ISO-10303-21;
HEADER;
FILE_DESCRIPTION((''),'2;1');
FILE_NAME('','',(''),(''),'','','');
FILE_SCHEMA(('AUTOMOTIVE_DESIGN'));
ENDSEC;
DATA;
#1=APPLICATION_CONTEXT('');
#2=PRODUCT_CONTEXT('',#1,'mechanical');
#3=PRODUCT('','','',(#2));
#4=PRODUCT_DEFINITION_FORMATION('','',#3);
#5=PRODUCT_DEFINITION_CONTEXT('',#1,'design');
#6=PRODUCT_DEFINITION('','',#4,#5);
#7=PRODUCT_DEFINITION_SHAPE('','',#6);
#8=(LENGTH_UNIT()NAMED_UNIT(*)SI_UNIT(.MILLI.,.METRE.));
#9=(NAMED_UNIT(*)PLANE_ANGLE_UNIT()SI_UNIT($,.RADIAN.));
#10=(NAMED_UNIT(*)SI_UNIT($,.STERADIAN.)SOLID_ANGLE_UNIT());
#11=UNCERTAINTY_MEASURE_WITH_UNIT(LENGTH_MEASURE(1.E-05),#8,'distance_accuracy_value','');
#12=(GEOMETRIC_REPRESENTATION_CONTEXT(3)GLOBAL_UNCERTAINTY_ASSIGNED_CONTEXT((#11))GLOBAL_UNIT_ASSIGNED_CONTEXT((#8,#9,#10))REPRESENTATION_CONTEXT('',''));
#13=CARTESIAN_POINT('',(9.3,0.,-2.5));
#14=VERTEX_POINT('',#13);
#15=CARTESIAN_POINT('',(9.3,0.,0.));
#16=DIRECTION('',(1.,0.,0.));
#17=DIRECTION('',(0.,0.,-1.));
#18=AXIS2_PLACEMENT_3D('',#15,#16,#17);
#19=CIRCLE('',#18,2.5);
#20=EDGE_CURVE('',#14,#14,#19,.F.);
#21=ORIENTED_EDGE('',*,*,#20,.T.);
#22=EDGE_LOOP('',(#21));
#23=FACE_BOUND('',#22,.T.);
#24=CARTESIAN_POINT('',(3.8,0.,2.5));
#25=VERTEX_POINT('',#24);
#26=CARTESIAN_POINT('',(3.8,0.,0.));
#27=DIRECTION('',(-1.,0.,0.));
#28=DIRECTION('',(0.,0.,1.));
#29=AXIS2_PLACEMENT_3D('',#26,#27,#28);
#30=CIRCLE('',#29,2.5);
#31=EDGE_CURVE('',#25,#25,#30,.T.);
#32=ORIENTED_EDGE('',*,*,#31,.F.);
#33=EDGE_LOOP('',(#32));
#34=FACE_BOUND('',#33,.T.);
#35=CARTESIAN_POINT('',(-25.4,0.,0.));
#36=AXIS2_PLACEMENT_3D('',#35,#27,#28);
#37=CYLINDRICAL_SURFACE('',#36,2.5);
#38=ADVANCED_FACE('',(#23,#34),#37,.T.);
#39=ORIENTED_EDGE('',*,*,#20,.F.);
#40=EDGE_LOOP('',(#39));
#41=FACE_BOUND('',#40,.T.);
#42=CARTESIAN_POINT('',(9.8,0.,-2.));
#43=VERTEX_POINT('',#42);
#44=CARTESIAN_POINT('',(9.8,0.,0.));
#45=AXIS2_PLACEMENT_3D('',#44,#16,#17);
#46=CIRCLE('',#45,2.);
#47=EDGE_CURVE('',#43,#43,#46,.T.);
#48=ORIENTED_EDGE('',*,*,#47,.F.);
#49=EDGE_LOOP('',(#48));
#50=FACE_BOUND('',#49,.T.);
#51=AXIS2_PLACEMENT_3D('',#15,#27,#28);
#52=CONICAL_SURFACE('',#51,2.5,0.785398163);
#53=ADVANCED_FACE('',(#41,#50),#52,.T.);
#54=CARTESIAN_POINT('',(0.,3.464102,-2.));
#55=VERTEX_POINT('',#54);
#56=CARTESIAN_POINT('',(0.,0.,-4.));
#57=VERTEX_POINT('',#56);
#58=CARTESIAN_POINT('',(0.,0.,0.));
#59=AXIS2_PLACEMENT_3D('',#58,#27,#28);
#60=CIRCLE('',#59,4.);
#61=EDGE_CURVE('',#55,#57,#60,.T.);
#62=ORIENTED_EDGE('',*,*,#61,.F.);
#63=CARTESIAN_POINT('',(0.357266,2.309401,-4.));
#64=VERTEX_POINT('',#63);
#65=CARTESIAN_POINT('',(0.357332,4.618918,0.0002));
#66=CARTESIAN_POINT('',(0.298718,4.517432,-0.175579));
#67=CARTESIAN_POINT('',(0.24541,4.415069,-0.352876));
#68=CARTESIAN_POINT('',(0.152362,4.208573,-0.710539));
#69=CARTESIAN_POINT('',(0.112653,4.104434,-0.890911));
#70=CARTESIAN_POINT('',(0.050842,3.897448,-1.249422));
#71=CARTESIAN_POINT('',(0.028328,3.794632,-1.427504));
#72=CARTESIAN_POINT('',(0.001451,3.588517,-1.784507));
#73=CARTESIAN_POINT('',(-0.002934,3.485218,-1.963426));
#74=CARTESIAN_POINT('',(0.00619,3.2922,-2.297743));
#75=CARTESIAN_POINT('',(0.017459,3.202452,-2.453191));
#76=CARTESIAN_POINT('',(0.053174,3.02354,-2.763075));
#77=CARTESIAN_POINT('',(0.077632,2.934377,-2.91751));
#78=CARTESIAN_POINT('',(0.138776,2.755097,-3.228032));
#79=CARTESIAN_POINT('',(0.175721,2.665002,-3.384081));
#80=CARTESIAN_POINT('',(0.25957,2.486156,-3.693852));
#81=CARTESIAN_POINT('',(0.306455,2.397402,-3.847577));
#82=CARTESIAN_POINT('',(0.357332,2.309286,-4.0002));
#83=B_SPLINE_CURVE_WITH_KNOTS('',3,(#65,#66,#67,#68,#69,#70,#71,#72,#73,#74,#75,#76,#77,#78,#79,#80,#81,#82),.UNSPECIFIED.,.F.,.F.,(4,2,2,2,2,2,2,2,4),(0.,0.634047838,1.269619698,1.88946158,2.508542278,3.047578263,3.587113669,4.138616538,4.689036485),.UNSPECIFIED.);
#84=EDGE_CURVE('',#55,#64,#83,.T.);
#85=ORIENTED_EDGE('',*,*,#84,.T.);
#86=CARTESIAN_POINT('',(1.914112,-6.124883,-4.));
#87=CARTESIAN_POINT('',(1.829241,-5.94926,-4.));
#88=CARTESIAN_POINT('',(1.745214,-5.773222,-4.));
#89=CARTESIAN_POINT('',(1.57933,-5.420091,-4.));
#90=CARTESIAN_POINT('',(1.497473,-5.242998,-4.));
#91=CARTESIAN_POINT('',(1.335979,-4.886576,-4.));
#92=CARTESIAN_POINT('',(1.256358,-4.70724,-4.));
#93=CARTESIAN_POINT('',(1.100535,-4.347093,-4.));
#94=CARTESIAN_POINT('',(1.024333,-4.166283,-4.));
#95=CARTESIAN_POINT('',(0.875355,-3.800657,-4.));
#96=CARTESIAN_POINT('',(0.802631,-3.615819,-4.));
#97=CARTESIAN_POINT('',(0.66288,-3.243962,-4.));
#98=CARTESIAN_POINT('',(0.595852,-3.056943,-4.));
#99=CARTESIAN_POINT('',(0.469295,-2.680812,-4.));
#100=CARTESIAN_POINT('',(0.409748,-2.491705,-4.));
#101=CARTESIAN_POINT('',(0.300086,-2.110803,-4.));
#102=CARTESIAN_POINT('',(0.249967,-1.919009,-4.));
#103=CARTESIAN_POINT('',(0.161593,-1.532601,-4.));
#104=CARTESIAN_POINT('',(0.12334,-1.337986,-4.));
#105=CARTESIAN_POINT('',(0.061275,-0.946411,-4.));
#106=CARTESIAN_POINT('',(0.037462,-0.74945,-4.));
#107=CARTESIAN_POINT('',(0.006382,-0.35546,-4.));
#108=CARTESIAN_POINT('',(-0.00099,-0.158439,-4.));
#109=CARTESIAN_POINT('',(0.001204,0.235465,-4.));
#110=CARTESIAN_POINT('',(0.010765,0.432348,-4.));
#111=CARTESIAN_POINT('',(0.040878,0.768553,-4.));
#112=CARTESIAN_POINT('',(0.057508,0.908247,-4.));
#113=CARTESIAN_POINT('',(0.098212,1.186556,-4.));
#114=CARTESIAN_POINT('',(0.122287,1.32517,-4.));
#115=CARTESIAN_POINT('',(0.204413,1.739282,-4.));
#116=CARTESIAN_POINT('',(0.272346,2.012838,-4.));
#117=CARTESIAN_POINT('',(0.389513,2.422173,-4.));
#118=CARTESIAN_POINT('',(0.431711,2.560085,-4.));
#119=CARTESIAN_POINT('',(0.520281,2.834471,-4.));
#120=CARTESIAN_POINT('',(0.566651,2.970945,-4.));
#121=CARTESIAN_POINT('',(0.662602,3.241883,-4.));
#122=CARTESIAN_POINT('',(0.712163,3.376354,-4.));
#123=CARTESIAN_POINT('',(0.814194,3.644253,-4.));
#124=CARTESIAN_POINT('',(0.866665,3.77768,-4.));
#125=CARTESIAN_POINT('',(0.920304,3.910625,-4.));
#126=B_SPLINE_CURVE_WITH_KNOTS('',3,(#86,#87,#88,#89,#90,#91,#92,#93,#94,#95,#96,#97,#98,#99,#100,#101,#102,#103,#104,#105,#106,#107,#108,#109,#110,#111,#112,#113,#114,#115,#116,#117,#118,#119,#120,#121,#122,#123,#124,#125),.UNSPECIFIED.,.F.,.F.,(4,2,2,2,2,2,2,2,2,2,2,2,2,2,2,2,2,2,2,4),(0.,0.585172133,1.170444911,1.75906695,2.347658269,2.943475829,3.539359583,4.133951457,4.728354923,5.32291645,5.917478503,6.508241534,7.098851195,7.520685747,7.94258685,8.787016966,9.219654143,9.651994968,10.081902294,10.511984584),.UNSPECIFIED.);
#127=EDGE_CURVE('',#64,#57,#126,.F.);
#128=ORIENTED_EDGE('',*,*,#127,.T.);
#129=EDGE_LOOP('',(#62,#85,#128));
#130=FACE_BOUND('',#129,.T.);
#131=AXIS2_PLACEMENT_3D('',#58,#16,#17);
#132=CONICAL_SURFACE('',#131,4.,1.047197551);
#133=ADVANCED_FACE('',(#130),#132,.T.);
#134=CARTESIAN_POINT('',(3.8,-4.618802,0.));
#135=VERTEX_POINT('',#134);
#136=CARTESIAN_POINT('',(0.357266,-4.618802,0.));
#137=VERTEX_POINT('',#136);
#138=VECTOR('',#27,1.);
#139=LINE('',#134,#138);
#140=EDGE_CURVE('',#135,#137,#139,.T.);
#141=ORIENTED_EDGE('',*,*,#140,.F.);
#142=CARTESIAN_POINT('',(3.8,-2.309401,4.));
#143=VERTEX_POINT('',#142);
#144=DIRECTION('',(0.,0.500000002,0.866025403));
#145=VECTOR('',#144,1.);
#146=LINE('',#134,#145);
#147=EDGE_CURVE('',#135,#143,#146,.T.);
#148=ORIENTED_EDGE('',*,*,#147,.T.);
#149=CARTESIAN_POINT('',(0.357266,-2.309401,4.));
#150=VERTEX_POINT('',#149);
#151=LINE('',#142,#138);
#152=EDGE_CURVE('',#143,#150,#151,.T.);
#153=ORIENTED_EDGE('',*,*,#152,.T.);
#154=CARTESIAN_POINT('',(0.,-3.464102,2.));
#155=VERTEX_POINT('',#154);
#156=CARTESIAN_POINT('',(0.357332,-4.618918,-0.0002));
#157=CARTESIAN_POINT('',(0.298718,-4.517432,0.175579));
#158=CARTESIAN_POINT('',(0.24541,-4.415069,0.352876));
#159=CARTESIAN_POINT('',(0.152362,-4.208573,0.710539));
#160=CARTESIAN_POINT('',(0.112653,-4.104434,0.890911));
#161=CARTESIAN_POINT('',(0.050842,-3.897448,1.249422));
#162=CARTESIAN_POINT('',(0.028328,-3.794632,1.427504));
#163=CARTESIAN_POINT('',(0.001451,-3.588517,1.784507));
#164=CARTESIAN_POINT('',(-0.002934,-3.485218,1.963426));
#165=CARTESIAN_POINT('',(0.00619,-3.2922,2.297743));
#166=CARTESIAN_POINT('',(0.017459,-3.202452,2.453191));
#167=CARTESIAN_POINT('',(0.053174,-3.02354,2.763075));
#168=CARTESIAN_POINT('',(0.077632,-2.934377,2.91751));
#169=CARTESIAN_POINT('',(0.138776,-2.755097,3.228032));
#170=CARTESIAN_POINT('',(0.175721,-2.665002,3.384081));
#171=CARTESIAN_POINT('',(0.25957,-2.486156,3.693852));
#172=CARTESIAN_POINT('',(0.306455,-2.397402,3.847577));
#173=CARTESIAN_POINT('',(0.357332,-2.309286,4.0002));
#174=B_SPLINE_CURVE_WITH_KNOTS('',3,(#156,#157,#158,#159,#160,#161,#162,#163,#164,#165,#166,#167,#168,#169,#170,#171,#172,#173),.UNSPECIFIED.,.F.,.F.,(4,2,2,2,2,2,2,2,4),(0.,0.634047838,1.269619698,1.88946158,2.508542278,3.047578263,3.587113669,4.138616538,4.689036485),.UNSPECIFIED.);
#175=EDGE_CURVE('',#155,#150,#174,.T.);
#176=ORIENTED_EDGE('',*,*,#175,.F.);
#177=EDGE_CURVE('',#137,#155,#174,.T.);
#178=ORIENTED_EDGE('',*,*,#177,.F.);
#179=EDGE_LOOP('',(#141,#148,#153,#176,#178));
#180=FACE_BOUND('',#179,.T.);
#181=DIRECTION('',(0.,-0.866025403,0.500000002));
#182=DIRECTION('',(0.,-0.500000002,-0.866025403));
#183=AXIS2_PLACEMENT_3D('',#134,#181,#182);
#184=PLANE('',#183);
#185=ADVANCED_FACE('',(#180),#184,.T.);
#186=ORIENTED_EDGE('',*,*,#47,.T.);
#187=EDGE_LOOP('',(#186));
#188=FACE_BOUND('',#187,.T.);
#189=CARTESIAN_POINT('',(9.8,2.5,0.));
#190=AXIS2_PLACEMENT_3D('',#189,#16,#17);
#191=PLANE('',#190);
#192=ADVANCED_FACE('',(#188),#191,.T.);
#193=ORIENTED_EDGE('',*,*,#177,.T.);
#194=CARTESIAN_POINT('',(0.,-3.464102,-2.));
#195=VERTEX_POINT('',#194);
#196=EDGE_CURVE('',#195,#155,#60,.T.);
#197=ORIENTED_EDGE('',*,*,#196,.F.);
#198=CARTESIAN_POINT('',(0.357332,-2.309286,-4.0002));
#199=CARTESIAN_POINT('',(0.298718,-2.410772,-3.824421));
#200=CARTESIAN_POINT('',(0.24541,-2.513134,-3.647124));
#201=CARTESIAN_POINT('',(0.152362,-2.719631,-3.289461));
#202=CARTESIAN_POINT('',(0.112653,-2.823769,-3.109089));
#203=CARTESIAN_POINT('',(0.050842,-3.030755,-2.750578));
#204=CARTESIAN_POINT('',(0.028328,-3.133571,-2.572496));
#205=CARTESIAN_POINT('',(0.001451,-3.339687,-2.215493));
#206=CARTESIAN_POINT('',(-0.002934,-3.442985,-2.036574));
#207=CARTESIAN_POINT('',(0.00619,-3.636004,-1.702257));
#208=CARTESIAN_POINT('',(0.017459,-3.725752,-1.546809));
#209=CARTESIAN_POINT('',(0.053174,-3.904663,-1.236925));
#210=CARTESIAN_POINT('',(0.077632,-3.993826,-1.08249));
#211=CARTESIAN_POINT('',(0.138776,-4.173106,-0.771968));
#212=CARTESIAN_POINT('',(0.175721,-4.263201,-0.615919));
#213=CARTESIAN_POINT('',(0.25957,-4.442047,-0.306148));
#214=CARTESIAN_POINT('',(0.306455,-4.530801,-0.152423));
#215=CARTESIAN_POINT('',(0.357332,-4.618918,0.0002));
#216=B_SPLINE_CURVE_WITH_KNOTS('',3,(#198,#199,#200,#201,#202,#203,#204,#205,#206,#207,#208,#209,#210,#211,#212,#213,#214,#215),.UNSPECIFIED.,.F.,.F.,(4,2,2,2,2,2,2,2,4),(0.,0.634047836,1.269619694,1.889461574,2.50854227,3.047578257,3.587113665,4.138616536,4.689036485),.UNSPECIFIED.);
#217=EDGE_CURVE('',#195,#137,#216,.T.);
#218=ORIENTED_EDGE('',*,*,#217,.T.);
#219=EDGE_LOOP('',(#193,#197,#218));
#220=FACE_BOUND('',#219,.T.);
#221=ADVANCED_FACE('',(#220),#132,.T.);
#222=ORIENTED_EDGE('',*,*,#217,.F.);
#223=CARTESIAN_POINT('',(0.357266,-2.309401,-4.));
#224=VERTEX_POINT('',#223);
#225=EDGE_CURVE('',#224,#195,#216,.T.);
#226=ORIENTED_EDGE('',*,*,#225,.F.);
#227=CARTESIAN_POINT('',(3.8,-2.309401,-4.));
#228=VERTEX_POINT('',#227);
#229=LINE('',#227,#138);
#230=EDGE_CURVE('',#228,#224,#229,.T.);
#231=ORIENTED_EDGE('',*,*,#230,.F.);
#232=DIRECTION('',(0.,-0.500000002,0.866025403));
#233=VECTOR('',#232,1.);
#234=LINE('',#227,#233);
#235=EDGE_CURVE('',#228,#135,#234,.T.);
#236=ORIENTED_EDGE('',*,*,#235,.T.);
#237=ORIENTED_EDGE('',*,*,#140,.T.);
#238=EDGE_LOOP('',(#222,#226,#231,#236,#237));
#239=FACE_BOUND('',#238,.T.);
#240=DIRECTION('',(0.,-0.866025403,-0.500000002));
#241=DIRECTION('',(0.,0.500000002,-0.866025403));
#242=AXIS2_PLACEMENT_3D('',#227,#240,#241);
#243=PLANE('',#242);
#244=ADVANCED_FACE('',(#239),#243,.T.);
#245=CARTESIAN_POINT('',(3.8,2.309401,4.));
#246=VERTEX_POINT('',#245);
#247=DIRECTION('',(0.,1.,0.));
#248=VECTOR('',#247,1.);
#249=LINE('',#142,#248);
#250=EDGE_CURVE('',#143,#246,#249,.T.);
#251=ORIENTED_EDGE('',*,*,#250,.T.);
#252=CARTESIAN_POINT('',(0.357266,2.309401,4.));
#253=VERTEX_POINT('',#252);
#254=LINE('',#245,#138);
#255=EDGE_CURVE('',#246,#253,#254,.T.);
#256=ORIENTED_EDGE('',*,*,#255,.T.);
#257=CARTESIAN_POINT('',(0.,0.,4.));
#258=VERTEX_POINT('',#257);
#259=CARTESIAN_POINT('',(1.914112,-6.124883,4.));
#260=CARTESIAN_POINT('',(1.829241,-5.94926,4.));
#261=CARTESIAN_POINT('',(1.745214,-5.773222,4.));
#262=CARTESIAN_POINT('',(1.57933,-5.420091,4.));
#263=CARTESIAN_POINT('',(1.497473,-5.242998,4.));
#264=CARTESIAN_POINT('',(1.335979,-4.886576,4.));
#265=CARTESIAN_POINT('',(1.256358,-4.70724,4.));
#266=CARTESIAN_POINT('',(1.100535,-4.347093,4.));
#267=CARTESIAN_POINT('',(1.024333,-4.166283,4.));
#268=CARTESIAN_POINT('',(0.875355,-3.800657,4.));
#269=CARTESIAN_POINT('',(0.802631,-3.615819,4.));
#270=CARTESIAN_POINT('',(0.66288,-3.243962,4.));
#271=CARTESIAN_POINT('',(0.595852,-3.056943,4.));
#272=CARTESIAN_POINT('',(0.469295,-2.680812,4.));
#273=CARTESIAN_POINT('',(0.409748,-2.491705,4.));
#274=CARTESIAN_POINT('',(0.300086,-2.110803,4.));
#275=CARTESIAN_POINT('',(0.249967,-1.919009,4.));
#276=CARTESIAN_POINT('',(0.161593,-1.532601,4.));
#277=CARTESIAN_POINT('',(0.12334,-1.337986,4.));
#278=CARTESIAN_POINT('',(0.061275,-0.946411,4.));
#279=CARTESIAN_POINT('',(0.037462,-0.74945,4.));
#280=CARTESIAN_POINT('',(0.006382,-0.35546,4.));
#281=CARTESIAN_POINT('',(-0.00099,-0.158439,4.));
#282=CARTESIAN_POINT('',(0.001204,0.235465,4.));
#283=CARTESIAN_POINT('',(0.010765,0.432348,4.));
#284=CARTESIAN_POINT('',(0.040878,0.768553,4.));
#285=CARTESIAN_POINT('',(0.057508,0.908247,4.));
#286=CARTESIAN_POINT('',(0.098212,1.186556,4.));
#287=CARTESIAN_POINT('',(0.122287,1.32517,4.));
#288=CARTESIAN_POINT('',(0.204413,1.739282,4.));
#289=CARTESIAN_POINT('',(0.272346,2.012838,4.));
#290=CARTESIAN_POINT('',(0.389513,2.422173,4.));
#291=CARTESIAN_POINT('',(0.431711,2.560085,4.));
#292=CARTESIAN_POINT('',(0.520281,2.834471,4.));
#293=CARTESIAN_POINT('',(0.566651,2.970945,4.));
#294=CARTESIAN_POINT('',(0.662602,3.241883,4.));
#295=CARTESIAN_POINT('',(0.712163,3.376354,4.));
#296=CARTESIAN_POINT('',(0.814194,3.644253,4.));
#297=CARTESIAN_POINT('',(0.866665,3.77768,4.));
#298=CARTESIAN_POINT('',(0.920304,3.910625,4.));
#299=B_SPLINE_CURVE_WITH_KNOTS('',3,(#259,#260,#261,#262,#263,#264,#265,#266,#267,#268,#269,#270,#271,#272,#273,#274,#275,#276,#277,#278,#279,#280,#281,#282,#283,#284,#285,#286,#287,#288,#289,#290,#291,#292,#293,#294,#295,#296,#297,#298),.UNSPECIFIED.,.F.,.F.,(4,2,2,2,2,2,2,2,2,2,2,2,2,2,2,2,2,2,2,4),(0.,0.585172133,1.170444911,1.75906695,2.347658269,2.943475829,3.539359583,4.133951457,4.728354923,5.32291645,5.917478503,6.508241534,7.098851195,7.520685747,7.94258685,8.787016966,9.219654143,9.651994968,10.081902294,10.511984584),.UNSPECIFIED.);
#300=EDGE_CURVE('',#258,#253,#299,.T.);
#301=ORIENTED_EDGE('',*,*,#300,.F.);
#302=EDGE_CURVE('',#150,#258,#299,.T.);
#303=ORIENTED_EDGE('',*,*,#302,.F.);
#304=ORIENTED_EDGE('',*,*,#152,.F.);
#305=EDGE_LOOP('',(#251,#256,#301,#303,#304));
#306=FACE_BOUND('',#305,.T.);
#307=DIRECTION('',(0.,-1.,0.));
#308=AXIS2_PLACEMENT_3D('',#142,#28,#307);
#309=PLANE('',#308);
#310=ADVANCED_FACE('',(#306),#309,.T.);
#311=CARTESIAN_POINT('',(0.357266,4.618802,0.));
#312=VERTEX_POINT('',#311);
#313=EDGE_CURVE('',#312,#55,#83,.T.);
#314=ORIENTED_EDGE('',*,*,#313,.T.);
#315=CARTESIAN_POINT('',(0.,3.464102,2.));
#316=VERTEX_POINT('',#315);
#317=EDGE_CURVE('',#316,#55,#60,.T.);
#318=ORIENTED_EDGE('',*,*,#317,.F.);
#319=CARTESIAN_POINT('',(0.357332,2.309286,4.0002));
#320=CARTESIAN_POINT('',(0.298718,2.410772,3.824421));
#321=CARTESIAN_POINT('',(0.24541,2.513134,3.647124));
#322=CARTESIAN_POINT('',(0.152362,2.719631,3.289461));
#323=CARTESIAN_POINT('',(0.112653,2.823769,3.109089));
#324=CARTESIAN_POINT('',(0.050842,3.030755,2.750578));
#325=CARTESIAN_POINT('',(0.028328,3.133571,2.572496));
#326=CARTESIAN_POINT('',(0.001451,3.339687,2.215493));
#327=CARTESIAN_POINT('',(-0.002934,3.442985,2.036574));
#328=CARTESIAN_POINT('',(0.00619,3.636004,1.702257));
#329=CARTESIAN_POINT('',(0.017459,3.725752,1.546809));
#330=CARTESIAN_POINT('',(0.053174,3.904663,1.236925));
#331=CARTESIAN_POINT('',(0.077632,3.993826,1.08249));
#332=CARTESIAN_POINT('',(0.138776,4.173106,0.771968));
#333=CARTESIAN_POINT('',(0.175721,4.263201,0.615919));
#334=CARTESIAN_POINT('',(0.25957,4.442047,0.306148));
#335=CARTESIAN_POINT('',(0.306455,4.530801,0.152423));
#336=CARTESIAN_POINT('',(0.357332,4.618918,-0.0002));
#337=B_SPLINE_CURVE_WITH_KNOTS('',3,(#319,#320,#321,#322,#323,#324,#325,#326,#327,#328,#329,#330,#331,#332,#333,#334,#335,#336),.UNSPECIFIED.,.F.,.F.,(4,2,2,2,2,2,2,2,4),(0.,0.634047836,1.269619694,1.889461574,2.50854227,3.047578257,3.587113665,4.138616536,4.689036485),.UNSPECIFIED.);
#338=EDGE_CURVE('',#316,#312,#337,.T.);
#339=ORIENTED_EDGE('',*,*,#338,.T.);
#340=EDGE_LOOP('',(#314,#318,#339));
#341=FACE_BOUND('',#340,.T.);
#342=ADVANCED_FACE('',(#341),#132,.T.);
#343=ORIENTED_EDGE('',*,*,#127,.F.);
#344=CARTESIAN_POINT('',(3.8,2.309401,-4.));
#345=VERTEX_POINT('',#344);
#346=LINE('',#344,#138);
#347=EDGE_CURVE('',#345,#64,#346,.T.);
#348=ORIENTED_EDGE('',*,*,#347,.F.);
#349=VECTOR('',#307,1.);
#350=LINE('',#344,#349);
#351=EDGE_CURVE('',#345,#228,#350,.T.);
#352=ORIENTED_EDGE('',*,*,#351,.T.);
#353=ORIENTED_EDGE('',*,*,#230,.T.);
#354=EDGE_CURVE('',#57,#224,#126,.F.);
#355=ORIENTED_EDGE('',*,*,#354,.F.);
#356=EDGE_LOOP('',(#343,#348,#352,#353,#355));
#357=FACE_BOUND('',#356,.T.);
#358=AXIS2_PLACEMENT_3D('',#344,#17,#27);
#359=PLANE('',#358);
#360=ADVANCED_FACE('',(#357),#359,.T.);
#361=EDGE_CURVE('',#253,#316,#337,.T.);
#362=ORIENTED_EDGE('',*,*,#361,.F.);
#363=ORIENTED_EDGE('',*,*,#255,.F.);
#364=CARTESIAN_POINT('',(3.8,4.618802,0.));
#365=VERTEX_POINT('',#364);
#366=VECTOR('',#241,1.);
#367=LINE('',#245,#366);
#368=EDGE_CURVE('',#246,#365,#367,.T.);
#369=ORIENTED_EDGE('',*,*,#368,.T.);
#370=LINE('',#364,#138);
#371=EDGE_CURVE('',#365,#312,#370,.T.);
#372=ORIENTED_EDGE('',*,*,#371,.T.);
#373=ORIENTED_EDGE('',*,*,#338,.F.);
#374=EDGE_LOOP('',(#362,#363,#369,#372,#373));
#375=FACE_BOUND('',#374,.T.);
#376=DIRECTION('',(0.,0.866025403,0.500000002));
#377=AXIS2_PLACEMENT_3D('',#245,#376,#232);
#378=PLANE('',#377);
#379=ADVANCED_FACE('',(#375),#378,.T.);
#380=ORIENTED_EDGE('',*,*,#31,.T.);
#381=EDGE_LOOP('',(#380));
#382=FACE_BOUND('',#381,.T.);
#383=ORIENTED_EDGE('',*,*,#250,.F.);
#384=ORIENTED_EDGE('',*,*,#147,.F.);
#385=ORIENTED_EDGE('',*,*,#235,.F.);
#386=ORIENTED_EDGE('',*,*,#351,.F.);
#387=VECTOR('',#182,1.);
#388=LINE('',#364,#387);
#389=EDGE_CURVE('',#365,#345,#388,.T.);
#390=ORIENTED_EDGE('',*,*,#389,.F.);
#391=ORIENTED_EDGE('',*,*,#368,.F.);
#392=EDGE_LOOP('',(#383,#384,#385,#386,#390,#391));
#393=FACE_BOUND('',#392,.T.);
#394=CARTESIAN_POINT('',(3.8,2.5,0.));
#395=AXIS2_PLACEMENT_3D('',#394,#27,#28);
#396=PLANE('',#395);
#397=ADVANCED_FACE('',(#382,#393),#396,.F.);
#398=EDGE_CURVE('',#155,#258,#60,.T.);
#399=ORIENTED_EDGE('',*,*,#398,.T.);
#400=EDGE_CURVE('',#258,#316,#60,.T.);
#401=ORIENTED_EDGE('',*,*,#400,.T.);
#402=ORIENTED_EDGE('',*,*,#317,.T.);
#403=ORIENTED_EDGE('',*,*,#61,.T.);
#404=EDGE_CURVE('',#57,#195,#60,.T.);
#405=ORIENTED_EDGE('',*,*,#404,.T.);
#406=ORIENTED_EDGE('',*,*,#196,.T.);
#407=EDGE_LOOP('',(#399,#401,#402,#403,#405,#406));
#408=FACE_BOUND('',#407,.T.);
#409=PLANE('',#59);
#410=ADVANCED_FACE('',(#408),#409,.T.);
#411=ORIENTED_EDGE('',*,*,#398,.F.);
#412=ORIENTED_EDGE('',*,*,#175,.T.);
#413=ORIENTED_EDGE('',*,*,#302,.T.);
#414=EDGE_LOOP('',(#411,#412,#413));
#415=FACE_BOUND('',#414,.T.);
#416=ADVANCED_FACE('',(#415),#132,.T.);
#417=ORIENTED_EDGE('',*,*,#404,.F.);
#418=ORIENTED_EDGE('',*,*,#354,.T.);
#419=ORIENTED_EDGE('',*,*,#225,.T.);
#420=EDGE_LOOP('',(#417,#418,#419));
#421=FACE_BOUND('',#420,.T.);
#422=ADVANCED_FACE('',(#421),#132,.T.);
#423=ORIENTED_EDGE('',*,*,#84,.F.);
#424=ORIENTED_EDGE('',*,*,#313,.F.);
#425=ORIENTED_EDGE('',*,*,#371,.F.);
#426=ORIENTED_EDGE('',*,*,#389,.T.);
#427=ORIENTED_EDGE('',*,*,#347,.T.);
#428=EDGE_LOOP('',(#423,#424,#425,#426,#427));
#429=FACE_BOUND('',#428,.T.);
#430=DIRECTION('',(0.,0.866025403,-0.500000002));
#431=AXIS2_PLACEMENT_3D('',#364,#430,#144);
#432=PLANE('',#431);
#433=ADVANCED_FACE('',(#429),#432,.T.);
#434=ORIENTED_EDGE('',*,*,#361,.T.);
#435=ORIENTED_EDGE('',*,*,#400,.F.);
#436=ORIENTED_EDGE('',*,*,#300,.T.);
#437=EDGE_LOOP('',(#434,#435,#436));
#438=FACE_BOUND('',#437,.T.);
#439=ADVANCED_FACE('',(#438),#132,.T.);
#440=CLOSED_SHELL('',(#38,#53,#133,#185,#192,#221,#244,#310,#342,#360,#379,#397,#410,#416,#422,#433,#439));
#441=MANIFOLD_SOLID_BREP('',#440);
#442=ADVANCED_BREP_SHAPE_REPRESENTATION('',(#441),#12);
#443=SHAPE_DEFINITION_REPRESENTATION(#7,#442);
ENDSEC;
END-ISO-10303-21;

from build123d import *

# Parameters (mm, degrees)
SKETCH2_R       = 4.665127021
HEX_DIE_DEPTH   = 3.8
CHANFREIN1_SIZE = 0.5


with BuildPart() as part:
    # BodySke → Base-Revolve (revolve)
    with BuildSketch(Plane.XY, mode=Mode.PRIVATE) as base_revolve_sk:
        Polygon((3.8, 2.5), (3.8, 4.618937644), (0.357343816, 4.618937644), (0, 4), (0, 0), (9.8, 0), (9.8, 2.5), align=None)
    revolve(base_revolve_sk.sketch.rotate(Axis((-25.4, 0, 0), (1, 0, 0)), 90), axis=Axis((-25.4, 0, 0), (1, 0, 0)))

    # Sketch2 → Hex-Die (cut)
    with BuildSketch(Plane(origin=(0, 0, 0), x_dir=(0, 0, -1), z_dir=(1, 0, 0))):
        Circle(SKETCH2_R)
        Polygon((-4, 2.309401087), (0, 4.618802174), (4, 2.309401087), (4, -2.309401087), (0, -4.618802174), (-4, -2.309401087), align=None, mode=Mode.SUBTRACT)
    extrude(amount=HEX_DIE_DEPTH, mode=Mode.SUBTRACT)

    # Chanfrein1
    chanfrein1_edges = [part.edges().sort_by_distance(p)[0] for p in [
        (9.8, 0, -2.5),
    ]]
    chamfer(chanfrein1_edges, length=CHANFREIN1_SIZE)


solid = part.part
